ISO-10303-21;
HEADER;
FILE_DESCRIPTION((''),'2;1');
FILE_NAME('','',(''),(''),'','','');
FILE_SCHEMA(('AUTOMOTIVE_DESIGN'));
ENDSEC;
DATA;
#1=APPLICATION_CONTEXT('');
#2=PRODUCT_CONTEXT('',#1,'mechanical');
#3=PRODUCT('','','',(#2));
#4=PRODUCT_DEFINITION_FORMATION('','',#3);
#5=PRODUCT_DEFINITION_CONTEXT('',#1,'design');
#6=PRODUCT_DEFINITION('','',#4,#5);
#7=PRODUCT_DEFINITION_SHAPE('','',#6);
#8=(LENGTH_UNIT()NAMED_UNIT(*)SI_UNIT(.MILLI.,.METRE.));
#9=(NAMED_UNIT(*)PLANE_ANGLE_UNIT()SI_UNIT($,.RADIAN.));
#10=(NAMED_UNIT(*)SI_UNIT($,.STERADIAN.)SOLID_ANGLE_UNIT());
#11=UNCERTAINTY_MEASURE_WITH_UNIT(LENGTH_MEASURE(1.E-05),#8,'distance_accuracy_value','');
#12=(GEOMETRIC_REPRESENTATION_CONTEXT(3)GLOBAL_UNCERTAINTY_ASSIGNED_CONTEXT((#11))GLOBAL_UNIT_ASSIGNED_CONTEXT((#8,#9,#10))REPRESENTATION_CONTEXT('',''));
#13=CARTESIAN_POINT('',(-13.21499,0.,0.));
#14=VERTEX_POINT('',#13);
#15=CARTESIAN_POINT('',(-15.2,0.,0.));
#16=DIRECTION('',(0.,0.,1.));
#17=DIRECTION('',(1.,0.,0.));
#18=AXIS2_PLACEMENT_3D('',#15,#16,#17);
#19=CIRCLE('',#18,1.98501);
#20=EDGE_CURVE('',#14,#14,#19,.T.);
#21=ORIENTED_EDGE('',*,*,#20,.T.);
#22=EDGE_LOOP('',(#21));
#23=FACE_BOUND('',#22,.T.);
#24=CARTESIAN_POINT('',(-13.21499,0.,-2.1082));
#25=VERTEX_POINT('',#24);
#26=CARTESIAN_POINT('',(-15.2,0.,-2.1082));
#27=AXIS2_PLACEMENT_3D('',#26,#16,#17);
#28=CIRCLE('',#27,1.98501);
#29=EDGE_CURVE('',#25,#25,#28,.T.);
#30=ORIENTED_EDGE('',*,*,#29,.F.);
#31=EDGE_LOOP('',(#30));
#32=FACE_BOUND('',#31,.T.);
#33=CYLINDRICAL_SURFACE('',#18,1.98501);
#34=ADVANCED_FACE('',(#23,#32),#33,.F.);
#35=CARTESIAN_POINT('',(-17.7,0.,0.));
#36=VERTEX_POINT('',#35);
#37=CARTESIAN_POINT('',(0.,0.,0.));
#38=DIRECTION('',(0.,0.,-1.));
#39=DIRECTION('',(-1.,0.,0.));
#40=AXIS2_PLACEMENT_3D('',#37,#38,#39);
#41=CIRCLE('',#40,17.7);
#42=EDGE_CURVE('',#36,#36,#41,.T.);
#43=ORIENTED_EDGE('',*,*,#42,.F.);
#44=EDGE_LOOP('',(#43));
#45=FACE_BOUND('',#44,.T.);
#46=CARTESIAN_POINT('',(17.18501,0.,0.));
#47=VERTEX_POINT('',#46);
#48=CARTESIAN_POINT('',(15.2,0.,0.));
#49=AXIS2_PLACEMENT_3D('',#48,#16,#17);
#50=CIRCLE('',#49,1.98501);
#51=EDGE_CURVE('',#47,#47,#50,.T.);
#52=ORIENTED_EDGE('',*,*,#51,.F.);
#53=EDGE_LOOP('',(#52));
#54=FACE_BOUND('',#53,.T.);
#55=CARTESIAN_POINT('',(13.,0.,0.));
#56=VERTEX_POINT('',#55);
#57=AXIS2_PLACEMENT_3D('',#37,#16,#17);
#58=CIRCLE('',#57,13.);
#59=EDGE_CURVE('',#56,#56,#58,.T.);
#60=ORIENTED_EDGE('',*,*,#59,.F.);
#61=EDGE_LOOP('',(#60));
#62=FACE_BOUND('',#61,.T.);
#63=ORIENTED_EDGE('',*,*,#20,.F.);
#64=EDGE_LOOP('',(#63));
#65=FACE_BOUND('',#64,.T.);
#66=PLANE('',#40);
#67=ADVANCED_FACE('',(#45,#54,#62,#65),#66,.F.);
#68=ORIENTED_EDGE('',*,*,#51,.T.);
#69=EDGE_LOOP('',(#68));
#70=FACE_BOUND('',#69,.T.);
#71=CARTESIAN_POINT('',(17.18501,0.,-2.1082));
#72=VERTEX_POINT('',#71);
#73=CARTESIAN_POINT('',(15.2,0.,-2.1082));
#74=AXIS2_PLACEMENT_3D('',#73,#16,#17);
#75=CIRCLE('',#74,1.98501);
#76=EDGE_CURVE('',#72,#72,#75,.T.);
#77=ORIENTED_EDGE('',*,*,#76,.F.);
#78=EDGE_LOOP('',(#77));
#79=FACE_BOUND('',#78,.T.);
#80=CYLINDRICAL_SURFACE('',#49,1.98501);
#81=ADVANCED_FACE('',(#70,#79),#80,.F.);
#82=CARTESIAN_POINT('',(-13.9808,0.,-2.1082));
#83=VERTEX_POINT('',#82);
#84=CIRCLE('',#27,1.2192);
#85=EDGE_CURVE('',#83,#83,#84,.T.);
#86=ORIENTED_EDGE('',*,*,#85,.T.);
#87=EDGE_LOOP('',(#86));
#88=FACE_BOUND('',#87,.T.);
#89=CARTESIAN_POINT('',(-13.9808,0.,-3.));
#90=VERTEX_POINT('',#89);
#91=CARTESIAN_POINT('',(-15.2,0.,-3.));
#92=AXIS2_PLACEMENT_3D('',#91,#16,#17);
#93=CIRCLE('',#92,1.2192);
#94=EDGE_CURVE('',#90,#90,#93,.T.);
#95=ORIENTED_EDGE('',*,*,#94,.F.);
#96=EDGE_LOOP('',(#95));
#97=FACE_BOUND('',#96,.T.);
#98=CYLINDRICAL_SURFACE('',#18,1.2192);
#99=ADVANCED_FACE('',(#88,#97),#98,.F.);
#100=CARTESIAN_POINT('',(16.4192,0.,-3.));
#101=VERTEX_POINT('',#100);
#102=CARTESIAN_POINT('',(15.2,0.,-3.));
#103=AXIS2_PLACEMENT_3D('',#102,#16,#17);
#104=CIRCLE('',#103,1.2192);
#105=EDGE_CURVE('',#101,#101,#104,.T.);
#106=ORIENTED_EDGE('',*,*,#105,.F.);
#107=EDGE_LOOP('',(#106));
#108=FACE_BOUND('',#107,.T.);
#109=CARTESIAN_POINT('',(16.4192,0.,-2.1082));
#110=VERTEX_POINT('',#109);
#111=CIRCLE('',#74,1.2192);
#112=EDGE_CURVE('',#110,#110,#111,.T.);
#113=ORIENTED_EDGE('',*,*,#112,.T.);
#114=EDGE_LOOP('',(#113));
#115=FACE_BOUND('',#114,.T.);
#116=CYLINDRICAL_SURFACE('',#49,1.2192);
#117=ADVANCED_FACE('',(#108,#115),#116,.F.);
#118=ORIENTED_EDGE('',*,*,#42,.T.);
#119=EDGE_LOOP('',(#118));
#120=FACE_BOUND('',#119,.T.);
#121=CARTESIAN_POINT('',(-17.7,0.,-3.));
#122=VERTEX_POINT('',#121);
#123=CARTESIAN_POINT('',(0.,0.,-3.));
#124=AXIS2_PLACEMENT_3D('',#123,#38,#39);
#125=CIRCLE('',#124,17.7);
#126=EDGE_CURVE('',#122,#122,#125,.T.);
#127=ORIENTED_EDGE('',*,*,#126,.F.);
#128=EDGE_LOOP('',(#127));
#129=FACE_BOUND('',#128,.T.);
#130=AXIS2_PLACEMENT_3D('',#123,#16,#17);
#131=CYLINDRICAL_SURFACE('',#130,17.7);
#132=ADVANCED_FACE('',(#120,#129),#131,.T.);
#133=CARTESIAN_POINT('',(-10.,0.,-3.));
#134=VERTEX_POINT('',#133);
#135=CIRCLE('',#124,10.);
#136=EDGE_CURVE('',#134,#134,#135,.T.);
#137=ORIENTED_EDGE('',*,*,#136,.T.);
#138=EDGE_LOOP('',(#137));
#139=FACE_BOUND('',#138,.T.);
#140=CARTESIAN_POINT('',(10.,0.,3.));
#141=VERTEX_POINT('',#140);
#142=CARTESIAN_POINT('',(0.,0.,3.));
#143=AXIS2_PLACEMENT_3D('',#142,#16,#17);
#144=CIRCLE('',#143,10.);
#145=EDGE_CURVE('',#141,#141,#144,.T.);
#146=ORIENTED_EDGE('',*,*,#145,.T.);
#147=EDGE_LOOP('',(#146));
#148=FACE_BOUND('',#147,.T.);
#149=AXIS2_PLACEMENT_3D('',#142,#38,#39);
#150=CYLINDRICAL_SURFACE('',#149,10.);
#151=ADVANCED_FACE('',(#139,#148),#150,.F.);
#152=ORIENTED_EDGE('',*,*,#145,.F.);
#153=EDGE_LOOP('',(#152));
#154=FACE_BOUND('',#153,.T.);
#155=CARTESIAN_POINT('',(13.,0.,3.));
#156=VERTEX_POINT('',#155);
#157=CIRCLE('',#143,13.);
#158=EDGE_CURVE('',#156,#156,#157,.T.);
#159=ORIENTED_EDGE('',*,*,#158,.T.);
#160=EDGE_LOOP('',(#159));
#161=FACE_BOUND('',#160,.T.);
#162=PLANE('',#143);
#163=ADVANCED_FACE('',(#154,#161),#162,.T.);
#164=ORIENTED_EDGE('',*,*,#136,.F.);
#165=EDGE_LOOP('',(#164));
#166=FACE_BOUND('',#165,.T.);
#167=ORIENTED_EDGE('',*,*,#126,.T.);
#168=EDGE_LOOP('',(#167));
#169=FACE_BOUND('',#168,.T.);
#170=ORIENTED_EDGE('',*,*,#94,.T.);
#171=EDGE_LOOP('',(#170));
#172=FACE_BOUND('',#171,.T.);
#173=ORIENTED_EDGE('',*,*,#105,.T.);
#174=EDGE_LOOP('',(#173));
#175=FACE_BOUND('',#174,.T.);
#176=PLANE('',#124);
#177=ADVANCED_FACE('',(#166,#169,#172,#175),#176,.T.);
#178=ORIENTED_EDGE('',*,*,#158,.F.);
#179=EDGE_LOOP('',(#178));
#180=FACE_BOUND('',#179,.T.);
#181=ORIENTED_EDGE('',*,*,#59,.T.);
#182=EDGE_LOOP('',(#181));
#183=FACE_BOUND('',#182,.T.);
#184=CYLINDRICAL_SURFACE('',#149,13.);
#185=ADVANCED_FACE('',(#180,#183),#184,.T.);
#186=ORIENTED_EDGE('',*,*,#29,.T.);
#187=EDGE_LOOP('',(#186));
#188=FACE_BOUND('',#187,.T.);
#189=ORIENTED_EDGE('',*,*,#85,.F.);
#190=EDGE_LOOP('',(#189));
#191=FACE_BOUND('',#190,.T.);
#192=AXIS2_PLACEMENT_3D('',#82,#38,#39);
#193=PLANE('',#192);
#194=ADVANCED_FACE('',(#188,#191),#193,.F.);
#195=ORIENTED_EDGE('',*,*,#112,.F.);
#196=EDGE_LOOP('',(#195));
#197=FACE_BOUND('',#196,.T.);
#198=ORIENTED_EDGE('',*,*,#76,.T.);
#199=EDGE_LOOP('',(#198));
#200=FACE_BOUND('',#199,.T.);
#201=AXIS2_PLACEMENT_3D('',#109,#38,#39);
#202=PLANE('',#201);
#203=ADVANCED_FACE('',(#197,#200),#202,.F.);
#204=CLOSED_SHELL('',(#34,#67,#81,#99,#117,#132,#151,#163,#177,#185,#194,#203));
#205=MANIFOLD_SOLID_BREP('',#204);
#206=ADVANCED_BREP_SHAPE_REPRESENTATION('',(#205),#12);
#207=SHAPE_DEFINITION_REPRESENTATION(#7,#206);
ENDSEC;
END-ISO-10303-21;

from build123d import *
from build123d.topology import SkipClean

# Parameters (mm, degrees)
ESQUISSE10_R                                        = 13
ESQUISSE10_R_2                                      = 10
BOSS_EXTRU_2_DEPTH                                  = 3
BOSS_EXTRU_3_START                                  = 3
ESQUISSE11_R                                        = 17.7
ESQUISSE11_R_2                                      = 10
BOSS_EXTRU_3_DEPTH                                  = 3
CBORE_FOR_2_FILLISTER_HEAD_MACHINE_SCRE_D           = 2.4384
CBORE_FOR_2_FILLISTER_HEAD_MACHINE_SCRE_CBORE_D     = 3.97002
CBORE_FOR_2_FILLISTER_HEAD_MACHINE_SCRE_CBORE_DEPTH = 2.1082


with BuildPart() as part:
    # Esquisse10 → Boss.-Extru.2 (new body)
    with BuildSketch(Plane.XY):
        Circle(ESQUISSE10_R)
        Circle(ESQUISSE10_R_2, mode=Mode.SUBTRACT)
    extrude(amount=BOSS_EXTRU_2_DEPTH)

    # Esquisse11 → Boss.-Extru.3 (add)
    with SkipClean():  # the faces are left unmerged after this step: merging them gives an invalid solid
        with BuildSketch(Plane(origin=(0, 0, 0), x_dir=(-1, 0, 0), z_dir=(0, 0, -1)).offset(BOSS_EXTRU_3_START)):
            Circle(ESQUISSE11_R)
            Circle(ESQUISSE11_R_2, mode=Mode.SUBTRACT)
        extrude(amount=-BOSS_EXTRU_3_DEPTH)

    # CBORE for #2 Fillister Head Machine Screw1 (through all)
    with Locations(Plane.XY):
        with Locations((-15.2, 0), (15.2, 0)):
            CounterBoreHole(CBORE_FOR_2_FILLISTER_HEAD_MACHINE_SCRE_D / 2, CBORE_FOR_2_FILLISTER_HEAD_MACHINE_SCRE_CBORE_D / 2, CBORE_FOR_2_FILLISTER_HEAD_MACHINE_SCRE_CBORE_DEPTH)


solid = part.part
